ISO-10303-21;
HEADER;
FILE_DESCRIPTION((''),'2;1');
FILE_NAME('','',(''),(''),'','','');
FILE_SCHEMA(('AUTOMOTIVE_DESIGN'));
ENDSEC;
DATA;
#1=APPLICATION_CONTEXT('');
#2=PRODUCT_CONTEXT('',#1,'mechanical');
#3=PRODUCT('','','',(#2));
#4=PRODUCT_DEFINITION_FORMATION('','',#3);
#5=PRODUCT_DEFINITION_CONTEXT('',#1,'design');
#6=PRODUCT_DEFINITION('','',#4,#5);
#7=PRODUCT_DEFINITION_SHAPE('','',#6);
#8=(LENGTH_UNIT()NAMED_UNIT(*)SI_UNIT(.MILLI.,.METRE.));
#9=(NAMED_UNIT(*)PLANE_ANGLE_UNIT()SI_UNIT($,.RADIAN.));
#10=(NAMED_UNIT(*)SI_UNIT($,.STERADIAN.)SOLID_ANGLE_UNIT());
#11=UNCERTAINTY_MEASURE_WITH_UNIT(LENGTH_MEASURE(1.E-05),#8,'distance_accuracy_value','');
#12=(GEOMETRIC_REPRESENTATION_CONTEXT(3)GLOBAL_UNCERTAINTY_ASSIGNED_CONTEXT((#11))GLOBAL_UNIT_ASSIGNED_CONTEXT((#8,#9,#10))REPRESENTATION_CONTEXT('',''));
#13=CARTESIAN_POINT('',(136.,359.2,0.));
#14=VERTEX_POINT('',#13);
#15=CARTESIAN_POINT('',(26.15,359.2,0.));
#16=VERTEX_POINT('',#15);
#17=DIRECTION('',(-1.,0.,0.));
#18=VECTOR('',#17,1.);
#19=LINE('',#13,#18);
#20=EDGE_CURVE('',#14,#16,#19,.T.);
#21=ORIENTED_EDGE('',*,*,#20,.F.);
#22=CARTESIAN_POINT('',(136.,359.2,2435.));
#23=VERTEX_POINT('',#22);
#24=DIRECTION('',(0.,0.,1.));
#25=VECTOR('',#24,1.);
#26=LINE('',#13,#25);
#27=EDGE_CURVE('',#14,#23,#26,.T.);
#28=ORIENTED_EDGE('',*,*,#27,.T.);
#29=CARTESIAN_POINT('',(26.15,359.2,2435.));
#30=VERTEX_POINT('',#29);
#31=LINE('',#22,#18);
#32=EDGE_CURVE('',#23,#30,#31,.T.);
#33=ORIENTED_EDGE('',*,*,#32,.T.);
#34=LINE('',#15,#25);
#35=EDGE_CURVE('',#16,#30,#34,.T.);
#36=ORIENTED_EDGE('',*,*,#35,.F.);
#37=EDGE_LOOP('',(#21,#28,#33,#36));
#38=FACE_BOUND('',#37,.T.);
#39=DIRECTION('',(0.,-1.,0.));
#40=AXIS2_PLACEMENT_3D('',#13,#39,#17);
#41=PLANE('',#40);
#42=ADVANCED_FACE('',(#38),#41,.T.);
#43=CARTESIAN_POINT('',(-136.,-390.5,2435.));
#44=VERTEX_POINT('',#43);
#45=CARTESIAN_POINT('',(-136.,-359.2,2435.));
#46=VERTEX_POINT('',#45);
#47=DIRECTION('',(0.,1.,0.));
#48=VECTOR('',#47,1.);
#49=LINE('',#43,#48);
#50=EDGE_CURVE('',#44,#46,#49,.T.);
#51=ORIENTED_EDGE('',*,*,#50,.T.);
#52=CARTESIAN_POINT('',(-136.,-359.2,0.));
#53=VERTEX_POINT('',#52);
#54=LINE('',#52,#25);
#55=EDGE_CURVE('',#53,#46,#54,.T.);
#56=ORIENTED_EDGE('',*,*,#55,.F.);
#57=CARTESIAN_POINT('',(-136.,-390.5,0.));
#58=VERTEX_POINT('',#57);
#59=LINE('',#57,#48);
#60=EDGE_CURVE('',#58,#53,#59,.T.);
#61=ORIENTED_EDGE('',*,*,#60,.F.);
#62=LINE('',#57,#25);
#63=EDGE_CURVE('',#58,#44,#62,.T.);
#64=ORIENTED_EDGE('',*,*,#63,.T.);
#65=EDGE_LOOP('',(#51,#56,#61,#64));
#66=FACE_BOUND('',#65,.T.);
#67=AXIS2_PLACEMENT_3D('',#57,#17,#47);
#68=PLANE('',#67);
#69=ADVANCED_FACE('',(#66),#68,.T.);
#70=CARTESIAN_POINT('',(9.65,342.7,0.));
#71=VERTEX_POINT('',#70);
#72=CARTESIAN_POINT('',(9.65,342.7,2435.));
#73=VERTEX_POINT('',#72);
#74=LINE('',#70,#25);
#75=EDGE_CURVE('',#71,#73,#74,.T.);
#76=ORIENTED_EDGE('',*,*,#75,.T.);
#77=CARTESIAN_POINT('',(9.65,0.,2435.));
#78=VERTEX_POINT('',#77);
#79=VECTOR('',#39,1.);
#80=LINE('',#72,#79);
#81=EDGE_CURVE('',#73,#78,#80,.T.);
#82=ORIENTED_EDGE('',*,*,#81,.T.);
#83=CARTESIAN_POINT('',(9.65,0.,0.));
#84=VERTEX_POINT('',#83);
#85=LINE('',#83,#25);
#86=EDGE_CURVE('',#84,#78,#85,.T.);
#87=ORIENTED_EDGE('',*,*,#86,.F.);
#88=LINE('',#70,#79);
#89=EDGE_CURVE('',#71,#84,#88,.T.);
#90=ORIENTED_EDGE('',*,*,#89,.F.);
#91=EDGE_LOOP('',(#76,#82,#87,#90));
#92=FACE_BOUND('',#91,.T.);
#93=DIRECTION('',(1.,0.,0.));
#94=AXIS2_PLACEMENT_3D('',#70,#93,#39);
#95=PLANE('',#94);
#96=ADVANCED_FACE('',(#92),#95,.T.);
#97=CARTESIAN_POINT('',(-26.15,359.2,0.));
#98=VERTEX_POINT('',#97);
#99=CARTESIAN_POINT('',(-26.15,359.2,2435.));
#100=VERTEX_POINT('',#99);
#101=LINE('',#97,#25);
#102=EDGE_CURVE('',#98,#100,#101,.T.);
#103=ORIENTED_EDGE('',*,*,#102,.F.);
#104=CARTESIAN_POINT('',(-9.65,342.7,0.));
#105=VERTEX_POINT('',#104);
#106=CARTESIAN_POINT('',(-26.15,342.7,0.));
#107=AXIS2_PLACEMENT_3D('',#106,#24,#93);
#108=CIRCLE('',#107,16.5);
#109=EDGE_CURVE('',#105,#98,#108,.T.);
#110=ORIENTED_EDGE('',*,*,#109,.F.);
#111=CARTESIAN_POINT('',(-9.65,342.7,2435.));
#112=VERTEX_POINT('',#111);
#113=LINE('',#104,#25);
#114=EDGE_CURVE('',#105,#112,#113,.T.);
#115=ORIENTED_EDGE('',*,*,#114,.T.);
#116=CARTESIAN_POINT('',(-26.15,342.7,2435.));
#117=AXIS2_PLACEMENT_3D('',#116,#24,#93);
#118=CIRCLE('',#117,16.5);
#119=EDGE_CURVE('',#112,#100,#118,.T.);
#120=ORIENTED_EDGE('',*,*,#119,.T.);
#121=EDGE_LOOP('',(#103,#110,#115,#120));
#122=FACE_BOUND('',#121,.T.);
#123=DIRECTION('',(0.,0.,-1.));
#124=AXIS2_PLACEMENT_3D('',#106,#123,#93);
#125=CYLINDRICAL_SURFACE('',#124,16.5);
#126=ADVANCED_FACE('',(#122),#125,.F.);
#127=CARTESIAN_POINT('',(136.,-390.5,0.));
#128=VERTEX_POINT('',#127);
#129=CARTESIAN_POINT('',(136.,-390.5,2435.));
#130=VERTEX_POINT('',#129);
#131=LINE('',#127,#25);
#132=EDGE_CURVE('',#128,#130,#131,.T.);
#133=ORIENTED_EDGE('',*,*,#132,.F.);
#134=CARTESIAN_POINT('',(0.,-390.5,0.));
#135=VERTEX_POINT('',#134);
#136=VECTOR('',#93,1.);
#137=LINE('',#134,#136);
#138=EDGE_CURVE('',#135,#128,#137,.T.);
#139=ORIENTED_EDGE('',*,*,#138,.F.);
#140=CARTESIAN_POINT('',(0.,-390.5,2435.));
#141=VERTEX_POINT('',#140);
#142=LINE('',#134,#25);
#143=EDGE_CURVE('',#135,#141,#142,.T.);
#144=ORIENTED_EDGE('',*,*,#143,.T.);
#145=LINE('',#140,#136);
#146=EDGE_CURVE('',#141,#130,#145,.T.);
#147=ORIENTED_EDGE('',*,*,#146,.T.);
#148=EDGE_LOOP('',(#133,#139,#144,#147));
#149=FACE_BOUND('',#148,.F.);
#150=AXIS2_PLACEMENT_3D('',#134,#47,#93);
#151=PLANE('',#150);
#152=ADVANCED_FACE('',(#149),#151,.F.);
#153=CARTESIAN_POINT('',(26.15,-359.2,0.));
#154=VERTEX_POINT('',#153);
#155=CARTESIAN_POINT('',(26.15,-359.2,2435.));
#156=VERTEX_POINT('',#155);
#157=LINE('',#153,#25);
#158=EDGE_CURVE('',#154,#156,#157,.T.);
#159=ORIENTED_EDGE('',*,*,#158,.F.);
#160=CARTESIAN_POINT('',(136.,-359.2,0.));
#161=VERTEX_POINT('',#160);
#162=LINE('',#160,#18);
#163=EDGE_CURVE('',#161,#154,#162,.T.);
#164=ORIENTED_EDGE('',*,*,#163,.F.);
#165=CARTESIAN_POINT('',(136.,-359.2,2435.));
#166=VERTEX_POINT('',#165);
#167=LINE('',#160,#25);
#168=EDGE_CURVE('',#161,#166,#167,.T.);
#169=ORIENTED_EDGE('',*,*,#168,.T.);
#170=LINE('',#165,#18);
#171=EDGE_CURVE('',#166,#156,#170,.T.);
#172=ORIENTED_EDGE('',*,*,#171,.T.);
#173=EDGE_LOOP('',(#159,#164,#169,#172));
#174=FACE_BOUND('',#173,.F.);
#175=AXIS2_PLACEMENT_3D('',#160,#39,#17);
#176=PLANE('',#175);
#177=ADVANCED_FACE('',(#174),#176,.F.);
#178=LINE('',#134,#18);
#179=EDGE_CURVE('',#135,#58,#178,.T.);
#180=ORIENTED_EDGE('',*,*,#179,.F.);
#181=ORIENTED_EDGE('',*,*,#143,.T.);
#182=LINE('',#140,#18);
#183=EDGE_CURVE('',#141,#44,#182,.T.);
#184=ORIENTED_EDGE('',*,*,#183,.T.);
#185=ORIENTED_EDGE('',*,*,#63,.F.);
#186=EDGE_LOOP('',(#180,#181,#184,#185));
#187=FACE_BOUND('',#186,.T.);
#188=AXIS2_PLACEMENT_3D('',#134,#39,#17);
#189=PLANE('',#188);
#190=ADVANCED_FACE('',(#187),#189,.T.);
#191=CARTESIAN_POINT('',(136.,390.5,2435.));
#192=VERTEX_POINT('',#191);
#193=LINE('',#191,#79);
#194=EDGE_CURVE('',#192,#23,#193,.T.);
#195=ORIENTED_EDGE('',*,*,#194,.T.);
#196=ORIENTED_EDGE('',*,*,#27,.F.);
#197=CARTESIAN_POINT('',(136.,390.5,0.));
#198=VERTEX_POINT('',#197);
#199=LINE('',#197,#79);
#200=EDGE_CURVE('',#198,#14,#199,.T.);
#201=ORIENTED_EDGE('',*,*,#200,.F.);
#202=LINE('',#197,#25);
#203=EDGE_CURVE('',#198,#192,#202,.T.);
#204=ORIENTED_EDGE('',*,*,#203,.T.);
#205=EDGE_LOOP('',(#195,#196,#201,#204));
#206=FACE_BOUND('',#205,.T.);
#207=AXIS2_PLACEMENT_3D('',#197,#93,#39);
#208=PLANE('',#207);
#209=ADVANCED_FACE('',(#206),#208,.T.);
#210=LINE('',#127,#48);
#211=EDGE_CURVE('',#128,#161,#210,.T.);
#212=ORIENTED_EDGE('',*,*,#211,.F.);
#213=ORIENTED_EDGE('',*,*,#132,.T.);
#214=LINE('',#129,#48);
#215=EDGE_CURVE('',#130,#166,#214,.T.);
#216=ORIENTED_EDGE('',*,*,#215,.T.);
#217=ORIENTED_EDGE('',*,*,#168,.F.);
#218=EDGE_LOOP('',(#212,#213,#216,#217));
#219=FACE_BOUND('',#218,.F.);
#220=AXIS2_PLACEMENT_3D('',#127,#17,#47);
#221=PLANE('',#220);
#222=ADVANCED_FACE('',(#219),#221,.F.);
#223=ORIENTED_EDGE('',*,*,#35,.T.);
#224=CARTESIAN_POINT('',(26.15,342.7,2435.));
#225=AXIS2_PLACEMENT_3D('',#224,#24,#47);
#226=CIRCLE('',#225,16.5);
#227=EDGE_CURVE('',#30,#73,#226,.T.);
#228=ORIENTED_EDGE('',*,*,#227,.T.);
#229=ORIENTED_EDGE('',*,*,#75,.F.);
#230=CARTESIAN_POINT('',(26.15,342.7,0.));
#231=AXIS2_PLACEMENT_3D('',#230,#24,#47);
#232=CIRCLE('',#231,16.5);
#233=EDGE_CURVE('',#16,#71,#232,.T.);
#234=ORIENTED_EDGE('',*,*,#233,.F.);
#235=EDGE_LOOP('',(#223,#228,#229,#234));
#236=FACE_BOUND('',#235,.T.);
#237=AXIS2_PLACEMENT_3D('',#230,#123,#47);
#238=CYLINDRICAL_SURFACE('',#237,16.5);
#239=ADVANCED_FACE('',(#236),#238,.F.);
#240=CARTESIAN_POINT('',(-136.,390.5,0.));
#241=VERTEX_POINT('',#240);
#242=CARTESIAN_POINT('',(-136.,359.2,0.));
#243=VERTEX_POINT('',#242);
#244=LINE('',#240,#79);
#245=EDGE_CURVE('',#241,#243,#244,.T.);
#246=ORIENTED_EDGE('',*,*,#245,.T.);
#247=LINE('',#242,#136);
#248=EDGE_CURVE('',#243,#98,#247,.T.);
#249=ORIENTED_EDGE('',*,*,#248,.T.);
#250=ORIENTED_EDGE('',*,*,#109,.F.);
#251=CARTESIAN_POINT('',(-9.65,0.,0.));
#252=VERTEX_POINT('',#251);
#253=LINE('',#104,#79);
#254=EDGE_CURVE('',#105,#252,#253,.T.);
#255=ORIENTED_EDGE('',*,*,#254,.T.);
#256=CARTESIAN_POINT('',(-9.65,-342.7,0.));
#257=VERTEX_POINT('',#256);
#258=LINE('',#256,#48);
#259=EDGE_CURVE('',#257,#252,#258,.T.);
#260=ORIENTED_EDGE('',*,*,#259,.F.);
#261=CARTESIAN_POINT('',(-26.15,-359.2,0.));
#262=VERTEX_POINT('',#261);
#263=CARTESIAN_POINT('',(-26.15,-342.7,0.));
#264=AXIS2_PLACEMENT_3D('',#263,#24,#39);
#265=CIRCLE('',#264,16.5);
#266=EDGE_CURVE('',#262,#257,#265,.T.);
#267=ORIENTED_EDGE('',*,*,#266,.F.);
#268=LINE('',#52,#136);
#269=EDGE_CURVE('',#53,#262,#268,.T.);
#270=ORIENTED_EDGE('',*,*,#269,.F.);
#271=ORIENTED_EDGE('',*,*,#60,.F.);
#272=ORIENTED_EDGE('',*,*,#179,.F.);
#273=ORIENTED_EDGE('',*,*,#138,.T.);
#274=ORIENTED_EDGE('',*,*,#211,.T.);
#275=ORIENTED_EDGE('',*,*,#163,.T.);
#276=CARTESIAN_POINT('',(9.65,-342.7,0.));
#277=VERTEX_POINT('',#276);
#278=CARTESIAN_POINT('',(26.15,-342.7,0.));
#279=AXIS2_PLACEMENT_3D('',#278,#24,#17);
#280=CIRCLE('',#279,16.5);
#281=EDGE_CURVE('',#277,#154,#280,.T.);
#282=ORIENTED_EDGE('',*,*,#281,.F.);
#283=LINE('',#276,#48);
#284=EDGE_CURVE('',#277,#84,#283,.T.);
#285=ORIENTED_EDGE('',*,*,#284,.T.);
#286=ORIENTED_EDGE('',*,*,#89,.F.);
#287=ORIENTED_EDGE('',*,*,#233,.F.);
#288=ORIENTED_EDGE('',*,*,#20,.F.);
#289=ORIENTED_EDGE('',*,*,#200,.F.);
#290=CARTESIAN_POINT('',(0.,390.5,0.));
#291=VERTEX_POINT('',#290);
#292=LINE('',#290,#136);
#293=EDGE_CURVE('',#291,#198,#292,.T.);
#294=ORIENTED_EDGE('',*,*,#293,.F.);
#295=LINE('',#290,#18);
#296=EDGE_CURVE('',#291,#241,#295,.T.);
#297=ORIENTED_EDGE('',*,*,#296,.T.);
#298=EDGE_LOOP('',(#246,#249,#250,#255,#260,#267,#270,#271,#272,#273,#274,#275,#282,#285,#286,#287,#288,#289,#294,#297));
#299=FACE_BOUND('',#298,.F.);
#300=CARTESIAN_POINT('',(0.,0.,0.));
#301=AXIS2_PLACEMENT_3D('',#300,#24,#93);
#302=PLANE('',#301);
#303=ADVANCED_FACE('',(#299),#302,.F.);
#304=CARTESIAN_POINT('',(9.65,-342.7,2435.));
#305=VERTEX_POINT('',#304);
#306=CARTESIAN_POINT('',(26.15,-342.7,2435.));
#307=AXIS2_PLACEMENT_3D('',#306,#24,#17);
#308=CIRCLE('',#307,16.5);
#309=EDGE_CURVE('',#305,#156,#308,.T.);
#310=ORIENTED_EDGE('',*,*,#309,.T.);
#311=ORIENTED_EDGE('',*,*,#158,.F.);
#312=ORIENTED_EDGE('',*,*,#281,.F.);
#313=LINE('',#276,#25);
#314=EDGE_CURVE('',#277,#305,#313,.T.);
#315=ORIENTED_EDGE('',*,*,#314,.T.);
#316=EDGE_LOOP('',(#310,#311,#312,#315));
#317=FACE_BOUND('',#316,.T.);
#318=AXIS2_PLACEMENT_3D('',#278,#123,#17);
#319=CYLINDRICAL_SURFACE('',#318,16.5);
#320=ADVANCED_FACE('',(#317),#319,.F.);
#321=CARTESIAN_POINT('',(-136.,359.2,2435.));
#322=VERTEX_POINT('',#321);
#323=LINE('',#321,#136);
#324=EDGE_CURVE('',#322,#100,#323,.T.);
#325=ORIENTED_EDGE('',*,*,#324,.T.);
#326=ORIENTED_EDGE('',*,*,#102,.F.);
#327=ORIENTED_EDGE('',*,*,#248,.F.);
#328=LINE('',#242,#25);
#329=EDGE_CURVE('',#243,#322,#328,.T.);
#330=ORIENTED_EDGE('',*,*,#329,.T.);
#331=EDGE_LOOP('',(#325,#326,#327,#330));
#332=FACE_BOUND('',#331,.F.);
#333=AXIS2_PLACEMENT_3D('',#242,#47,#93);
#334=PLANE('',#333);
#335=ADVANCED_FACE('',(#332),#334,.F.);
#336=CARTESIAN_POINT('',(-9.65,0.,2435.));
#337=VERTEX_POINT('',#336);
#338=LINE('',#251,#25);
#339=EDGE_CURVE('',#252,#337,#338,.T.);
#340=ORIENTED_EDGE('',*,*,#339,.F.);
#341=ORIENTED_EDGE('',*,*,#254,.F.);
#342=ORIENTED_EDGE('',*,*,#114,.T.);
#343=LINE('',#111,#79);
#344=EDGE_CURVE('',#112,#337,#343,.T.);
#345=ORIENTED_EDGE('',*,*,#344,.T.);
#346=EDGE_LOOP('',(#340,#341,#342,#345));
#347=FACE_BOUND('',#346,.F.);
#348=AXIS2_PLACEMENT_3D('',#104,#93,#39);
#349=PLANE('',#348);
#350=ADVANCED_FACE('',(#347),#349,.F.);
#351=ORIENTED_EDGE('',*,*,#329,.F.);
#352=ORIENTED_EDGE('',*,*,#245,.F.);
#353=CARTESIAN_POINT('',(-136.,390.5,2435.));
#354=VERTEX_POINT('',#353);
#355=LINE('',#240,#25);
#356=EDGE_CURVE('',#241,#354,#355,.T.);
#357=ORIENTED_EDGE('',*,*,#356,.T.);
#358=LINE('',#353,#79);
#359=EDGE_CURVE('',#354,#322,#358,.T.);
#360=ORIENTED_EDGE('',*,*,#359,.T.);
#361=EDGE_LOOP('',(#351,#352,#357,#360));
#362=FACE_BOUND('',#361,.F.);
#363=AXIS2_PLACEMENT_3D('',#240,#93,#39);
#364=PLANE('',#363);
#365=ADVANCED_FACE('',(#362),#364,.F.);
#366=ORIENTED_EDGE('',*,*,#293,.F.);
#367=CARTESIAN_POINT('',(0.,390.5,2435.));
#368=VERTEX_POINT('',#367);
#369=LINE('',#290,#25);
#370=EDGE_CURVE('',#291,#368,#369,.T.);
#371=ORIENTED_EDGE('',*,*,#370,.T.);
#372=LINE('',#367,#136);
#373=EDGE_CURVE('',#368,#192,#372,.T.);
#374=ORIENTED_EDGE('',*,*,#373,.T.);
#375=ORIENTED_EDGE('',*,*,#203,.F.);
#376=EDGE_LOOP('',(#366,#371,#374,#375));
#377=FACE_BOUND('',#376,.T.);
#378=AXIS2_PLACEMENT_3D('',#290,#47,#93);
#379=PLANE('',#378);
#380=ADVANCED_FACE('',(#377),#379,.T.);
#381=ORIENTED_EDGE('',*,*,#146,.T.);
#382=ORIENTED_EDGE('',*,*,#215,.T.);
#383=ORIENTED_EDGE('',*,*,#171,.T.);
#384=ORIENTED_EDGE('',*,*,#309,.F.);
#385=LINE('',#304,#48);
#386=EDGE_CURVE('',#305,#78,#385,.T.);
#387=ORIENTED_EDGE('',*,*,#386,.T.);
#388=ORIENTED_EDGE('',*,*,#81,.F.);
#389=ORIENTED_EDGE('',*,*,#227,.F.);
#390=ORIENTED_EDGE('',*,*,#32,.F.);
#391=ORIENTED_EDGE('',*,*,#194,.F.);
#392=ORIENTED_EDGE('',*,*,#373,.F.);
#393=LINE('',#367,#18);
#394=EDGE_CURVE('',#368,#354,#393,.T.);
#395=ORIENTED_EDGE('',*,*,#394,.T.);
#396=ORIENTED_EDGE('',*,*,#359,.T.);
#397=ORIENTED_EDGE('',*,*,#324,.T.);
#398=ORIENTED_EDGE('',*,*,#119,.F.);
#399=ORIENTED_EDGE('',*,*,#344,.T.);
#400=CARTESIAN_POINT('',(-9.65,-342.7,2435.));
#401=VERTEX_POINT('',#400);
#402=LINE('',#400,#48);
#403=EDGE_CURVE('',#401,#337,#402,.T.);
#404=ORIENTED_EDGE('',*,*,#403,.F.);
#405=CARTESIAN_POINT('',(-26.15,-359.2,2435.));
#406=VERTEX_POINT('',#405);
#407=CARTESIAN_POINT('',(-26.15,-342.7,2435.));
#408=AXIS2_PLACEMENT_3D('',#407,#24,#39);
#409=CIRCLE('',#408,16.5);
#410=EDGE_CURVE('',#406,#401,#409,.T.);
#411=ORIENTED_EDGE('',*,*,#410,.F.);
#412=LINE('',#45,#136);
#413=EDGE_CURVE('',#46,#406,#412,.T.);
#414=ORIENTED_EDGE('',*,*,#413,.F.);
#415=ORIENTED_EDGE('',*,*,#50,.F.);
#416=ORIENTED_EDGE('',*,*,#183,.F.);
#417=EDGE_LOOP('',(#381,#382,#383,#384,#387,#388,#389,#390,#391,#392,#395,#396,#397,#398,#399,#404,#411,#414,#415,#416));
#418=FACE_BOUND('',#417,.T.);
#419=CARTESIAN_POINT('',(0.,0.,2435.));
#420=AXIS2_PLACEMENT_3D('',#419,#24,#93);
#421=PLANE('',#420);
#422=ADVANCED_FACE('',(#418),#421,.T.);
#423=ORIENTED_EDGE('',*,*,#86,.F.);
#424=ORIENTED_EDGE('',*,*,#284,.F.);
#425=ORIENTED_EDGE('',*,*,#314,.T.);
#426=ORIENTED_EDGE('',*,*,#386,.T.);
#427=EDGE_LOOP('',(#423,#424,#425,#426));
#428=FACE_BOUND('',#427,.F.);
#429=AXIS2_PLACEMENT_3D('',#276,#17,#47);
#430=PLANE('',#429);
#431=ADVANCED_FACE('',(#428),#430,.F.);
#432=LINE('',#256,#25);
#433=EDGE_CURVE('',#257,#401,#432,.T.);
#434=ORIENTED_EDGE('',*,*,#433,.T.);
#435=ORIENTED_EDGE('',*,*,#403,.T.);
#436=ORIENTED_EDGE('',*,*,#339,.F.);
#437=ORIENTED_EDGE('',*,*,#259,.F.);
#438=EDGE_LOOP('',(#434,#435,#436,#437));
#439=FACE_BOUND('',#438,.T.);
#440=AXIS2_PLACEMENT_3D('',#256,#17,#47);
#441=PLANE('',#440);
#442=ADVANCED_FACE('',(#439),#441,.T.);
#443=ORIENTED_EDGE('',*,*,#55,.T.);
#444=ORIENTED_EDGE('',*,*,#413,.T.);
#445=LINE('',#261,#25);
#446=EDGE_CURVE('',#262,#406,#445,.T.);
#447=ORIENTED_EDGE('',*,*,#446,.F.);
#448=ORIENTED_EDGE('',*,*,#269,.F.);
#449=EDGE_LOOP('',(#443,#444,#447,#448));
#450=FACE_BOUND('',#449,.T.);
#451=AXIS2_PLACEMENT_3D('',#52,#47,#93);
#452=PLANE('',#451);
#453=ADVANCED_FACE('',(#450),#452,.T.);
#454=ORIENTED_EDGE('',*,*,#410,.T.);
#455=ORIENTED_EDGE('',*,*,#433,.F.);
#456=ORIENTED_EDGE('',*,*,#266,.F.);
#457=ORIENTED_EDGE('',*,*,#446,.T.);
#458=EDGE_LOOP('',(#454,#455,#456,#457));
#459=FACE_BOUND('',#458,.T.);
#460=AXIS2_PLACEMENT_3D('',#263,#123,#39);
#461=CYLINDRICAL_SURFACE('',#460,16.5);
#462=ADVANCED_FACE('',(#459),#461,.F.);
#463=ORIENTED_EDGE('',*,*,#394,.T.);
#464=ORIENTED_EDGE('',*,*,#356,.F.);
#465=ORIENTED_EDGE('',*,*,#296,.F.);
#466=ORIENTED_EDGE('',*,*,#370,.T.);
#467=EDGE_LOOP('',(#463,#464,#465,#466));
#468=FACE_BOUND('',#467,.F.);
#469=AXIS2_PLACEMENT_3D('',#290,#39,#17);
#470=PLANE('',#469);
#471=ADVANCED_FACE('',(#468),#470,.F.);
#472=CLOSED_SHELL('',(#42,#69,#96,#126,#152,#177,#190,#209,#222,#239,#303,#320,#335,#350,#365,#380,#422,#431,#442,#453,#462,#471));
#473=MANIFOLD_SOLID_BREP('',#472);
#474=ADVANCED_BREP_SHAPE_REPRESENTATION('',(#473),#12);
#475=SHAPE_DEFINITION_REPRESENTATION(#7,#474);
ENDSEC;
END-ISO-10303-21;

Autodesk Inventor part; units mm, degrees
ref_plane "YZ Plane" through (0, 0, 0) normal (1, 0, 0) x (0, 1, 0)
ref_plane "Start plane" through (0, 0, 0) normal (0, 0, 1) x (1, 0, 0)
ref_plane "End plane" through (0, 0, 2435) normal (0, 0, 1) x (1, 0, 0)
sketch "Sketch" plane through (0, 0, 0) normal (0, 0, 1) x (1, 0, 0)
  line L0 (-136, -390.5) -> (-136, -359.2)
  line L1 (-136, -359.2) -> (-26.15, -359.2)
  line L2 (-9.65, -342.7) -> (-9.65, 0)
  line L3 (-9.65, 0) -> (0, 0) construction
  line L4 (0, 0) -> (0, -390.5) construction
  line L5 (0, -390.5) -> (-136, -390.5)
  line L6 (-60, 0) -> (80, 0) construction
  line L7 (0, -60) -> (0, 80) construction
  line L8 (136, -390.5) -> (136, -359.2)
  line L9 (136, -359.2) -> (26.15, -359.2)
  line L10 (9.65, -342.7) -> (9.65, 0)
  line L11 (9.65, 0) -> (0, 0) construction
  line L12 (0, -390.5) -> (136, -390.5)
  line L13 (-136, 390.5) -> (-136, 359.2)
  line L14 (-136, 359.2) -> (-26.15, 359.2)
  line L15 (-9.65, 342.7) -> (-9.65, 0)
  line L16 (0, 390.5) -> (-136, 390.5)
  line L17 (136, 390.5) -> (136, 359.2)
  line L18 (136, 359.2) -> (26.15, 359.2)
  line L19 (0, 390.5) -> (136, 390.5)
  line L20 (9.65, 342.7) -> (9.65, 0)
  arc A0 (-9.65, 342.7) -> (-26.15, 359.2) centre (-26.15, 342.7) ccw
  arc A1 (26.15, 359.2) -> (9.65, 342.7) centre (26.15, 342.7) ccw
  arc A2 (9.65, -342.7) -> (26.15, -359.2) centre (26.15, -342.7) ccw
  arc A3 (-26.15, -359.2) -> (-9.65, -342.7) centre (-26.15, -342.7) ccw
  line L21 (0, 108) -> (0, -88) construction
  line L22 (-88, 0) -> (108, 0) construction
  point P0 (-9.65, -359.2)
  point P1 (9.65, -359.2)
  point P2 (-9.65, 359.2)
  point P3 (9.65, 359.2)
  dimension "d1" = 390.5
  dimension "d2" = 31.3
  dimension "d3" = 136
  dimension "d4" = 9.65
  dimension "d10" = 16.5
extrude "Body" add sketch "Sketch" along normal up to surface (2435 mm away) from surface at 0
sketch "Sketch4" plane through (0, 0, 0) normal (0, 0, 1) x (1, 0, 0)
  line L0 (0, 0) -> (10, 0)
ref_plane "Work Plane3" through (0, 0, 0) normal (0, -1, 0) x (1, 0, 0)
sketch "Sketch5" plane through (0, 0, 0) normal (0, -1, 0) x (1, 0, 0)
  line L0 (-2, 0) -> (12, 0) projected
  line L1 (-2, 2435) -> (12, 2435) projected
  dimension "d14" = 2435
equation "\"d1\" = 0.5 * G_H"
equation "\"d2\" = G_T1"
equation "\"d3\" = 0.5 * G_W"
equation "\"d4\" = 0.5 * G_T"
equation "\"d10\" = G_IR"
equation "\"d5\" = G_L"
equation "\"G_W\" = 272"
equation "\"G_H\" = 781"
equation "\"G_T\" = 19.3"
equation "\"G_T1\" = 31.3"
equation "\"G_IR\" = 16.5"
equation "\"G_L\" = d14"
equation "\"G_OFFSET_START\" = 0"
equation "\"G_OFFSET_END\" = 0"
equation "\"d12\" = G_OFFSET_END + B_L"
equation "\"B_L\" = 2435"
properties part number "AS 3679-1990 - 760 UB - 244 - 2435" material "Steel, Mild"
